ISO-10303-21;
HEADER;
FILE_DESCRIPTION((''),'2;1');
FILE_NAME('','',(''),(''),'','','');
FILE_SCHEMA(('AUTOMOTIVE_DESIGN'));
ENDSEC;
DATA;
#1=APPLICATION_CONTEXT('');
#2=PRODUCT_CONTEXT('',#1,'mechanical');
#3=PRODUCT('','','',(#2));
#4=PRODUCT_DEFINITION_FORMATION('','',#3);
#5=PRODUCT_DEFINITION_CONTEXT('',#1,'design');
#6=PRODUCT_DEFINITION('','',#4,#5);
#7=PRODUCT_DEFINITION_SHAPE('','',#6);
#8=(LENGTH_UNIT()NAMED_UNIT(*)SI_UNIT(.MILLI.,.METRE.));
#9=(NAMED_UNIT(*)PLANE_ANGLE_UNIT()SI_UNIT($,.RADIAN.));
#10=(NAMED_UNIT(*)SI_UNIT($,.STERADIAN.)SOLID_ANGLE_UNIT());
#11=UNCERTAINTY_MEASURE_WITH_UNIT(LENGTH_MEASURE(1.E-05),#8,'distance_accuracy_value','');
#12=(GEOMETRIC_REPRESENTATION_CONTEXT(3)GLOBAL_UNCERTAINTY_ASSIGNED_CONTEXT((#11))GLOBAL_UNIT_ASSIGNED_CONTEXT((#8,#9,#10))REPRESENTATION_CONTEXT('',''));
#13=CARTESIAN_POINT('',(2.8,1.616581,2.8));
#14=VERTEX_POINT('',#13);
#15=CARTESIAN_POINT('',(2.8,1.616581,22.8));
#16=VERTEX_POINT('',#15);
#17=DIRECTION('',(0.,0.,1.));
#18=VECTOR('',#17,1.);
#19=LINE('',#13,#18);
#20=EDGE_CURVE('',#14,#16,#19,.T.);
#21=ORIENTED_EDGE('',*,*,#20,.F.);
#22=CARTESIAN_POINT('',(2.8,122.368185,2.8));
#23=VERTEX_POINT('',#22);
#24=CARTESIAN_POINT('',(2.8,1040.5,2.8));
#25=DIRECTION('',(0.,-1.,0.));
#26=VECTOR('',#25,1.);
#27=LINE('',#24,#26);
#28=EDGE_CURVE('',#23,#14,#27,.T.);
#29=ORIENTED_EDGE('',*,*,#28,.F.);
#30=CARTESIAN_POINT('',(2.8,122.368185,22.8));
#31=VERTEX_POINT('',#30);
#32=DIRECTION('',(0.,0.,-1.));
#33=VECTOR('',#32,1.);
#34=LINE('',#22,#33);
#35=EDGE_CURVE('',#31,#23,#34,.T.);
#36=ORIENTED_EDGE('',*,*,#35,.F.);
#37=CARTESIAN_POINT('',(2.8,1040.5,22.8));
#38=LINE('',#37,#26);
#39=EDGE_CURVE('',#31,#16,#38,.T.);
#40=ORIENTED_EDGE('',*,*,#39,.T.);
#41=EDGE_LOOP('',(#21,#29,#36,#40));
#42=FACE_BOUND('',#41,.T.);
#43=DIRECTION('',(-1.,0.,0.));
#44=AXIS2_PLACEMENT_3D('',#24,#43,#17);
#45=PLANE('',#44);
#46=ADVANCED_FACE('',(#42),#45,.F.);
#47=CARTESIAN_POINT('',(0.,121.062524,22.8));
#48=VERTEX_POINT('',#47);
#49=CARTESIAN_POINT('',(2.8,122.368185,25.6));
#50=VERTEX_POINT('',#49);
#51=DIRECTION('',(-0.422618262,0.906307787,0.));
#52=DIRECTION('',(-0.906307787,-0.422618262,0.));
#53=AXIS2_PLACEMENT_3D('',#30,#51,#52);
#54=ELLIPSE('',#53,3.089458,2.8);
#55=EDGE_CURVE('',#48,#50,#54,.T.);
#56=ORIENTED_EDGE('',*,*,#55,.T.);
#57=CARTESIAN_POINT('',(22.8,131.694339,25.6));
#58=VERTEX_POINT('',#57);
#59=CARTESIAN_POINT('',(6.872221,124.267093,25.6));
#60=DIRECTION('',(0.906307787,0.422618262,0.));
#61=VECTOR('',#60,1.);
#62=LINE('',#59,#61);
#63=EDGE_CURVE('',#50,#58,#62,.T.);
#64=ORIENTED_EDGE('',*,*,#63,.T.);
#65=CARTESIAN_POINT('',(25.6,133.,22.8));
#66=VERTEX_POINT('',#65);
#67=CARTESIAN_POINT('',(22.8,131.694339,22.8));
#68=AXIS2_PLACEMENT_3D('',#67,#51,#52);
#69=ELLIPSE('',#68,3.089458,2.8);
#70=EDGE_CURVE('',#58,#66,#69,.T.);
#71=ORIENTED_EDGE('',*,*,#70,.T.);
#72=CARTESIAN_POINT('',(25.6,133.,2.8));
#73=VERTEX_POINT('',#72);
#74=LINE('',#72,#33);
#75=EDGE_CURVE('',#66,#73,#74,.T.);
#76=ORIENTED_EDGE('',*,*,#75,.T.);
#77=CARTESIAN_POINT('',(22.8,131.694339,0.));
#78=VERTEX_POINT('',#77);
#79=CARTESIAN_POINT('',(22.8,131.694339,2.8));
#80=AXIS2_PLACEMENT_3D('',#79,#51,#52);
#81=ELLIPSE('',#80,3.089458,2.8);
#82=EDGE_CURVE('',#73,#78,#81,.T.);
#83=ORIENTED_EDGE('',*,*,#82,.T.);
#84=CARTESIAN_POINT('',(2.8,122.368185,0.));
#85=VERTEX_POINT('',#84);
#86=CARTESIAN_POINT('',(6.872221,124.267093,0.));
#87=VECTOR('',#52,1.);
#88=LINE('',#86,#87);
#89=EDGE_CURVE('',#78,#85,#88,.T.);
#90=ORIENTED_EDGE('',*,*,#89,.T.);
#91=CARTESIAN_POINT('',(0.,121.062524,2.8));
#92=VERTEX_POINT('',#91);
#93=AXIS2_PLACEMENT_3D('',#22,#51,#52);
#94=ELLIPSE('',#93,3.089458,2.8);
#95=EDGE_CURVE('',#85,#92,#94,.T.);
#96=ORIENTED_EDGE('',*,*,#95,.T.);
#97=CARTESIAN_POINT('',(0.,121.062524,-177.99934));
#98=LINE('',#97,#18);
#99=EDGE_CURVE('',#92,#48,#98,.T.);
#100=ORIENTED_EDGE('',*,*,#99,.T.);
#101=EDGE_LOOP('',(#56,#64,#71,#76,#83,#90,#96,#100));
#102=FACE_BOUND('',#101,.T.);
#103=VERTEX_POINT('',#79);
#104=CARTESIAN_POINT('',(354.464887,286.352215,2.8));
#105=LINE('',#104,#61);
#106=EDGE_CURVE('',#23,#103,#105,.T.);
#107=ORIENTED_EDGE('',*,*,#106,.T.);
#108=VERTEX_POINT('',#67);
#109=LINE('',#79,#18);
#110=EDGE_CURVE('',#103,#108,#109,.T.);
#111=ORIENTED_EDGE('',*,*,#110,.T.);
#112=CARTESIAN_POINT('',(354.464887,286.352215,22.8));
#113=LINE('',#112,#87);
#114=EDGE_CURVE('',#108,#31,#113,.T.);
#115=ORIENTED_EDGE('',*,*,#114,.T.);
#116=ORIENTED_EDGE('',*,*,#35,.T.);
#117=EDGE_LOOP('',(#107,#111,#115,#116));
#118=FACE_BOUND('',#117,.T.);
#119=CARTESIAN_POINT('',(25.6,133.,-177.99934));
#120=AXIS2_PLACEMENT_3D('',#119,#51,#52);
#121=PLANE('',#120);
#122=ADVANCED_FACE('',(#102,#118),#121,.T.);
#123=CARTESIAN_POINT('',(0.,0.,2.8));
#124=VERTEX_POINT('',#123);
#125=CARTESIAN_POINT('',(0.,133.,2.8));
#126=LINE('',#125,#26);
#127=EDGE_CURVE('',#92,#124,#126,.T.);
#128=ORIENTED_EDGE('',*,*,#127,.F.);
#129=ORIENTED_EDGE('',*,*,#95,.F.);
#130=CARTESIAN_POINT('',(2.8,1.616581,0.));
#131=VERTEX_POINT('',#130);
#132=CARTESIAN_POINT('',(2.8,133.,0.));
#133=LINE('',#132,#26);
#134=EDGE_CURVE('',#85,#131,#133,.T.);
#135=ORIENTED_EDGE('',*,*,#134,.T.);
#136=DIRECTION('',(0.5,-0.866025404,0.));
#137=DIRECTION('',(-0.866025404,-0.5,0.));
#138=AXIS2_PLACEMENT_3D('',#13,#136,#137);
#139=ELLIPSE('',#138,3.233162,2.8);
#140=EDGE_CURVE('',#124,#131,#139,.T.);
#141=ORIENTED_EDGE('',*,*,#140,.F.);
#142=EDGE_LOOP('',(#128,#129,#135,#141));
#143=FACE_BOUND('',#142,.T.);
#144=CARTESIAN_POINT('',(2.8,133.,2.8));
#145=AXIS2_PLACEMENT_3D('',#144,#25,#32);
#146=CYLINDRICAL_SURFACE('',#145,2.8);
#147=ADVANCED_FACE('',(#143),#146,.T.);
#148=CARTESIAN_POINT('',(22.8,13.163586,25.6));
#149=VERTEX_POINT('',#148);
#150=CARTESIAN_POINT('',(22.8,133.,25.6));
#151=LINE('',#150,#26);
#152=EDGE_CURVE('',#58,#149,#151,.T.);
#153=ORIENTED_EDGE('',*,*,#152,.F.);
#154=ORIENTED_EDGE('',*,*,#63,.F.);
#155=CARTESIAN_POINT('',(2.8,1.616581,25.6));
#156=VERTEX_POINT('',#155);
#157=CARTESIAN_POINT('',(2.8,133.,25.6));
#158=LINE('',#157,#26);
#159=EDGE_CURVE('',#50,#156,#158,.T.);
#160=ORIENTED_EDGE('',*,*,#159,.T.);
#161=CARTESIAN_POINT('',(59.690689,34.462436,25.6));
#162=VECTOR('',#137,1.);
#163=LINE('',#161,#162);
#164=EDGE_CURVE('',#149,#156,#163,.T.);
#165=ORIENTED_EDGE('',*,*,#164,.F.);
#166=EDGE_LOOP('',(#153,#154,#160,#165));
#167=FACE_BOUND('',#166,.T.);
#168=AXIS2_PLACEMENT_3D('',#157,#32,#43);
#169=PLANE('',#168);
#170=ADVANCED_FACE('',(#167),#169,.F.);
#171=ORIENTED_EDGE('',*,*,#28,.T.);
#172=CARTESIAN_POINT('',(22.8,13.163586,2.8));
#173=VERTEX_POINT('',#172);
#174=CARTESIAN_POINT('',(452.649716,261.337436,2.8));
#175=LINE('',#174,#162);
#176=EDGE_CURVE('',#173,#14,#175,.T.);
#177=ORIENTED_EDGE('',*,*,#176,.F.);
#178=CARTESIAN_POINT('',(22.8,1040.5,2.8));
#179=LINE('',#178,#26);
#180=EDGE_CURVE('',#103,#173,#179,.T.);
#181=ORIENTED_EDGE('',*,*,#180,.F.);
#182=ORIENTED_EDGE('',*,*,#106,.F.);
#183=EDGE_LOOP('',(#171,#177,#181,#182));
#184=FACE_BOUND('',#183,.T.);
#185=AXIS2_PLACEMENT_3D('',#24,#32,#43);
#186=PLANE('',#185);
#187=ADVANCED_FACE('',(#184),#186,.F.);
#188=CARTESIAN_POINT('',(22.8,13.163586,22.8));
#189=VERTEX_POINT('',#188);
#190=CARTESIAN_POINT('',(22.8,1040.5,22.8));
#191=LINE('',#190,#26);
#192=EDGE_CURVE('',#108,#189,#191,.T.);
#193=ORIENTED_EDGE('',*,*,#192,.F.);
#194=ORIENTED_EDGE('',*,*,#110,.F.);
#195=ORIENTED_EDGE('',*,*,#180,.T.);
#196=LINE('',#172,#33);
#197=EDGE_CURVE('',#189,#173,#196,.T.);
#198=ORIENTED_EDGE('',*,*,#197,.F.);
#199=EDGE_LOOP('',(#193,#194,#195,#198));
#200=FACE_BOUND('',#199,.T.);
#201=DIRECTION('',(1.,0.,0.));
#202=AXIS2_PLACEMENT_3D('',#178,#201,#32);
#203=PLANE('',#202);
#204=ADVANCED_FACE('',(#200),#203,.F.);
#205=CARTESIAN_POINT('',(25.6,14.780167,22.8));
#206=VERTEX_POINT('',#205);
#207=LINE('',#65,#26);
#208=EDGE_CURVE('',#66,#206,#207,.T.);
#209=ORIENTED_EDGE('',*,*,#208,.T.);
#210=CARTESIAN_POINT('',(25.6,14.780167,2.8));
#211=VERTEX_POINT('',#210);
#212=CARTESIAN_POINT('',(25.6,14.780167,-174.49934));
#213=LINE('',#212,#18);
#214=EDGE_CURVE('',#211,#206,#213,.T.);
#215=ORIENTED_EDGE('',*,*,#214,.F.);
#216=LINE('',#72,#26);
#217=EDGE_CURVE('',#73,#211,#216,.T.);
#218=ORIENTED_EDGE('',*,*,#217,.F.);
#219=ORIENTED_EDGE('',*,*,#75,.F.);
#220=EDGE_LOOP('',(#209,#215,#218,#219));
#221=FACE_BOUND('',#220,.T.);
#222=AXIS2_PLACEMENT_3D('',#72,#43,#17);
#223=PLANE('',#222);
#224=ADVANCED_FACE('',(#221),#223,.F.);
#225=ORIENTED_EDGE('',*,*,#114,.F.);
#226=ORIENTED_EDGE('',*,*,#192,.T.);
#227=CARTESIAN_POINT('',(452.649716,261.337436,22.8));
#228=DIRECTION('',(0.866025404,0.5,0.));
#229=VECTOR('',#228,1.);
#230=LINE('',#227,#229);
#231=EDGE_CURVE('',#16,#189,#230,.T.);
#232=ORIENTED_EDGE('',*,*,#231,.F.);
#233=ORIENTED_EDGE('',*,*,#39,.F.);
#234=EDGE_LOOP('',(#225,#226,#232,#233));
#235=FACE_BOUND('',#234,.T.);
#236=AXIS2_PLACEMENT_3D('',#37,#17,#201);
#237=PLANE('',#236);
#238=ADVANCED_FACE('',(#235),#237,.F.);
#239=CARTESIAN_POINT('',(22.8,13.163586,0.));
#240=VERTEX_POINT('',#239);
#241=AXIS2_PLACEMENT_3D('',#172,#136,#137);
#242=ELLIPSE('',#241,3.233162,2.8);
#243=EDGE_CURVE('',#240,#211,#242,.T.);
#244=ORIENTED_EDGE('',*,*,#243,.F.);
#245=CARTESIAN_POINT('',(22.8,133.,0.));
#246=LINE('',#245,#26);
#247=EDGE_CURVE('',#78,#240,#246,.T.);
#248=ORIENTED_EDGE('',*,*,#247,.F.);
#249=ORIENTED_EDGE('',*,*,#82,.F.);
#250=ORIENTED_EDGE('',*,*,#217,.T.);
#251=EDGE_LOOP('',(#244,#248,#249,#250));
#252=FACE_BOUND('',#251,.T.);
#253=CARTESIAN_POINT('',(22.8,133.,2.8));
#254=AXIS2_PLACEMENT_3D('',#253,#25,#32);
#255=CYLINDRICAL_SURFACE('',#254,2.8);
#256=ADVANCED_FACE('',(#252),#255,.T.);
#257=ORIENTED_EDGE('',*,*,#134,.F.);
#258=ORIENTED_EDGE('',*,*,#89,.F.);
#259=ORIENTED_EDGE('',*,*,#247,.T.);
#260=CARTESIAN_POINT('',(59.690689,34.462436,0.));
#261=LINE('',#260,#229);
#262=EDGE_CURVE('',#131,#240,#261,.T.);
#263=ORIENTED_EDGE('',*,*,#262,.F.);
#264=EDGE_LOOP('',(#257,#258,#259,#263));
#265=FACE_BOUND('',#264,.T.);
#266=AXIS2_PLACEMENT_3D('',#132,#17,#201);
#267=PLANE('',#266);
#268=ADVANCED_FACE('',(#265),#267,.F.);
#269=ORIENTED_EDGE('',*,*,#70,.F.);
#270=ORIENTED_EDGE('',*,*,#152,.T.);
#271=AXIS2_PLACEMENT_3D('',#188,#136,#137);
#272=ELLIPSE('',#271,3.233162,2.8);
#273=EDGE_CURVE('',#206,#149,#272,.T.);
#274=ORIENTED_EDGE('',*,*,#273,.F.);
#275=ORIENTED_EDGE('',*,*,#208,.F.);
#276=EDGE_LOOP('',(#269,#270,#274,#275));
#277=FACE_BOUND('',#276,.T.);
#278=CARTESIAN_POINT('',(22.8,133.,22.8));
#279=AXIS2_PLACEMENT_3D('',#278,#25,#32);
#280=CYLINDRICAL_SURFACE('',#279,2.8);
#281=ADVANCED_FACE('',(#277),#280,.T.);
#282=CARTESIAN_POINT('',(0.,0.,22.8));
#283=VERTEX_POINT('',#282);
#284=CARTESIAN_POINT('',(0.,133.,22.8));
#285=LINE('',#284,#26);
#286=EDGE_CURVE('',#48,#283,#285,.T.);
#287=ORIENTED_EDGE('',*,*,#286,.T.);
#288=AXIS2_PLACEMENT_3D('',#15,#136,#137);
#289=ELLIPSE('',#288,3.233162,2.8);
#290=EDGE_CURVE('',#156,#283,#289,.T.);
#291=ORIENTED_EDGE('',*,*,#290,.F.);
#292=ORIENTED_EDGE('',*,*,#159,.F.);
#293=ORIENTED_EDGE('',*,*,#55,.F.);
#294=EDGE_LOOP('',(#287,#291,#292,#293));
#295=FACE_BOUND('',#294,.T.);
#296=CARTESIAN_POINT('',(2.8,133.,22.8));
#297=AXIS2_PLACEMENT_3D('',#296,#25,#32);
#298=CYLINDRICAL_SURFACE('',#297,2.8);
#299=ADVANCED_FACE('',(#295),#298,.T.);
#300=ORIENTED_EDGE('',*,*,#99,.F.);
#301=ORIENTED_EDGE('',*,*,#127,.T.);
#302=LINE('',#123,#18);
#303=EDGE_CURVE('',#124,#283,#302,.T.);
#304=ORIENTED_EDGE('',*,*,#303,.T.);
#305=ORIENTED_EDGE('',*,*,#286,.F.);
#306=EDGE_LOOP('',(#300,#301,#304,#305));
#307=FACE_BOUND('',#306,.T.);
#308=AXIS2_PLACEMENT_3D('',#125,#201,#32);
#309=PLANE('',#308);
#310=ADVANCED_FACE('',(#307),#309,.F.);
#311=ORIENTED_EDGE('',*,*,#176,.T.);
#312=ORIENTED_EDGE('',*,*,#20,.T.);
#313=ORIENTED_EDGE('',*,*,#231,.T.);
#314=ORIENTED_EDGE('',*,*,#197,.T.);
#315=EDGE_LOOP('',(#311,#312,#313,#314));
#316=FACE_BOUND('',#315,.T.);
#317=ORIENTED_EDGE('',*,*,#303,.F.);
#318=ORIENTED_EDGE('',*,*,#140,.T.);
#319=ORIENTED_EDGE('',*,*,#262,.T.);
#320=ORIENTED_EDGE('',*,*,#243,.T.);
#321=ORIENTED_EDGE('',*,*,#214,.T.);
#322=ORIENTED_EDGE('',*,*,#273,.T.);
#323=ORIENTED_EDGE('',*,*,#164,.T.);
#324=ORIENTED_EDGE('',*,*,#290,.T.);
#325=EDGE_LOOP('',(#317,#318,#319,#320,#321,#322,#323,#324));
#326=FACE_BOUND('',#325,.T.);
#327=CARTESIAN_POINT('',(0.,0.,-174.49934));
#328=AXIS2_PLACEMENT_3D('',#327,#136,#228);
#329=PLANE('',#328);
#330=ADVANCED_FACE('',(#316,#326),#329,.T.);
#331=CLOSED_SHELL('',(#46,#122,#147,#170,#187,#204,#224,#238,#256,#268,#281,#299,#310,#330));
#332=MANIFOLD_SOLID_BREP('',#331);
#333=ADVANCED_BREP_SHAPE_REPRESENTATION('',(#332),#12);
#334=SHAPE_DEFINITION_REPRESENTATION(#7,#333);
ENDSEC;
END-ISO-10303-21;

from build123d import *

# Parameters (mm, degrees)
BOSS_EXTRUDE1_DEPTH     = 133
SKETCH3_W               = 20
SKETCH3_H               = 20
CUT_EXTRUDE1_DEPTH      = 1040.5
CUT_EXTRUDE2_DEPTH      = 138.347005792
CUT_EXTRUDE2_DEPTH_BACK = 138.347005792
CUT_EXTRUDE3_DEPTH      = 138.347005792
CUT_EXTRUDE3_DEPTH_BACK = 138.347005792


with BuildPart() as part:
    # Sketch1 → Boss-Extrude1 (new body)
    with BuildSketch(Plane(origin=(0, 0, 0), x_dir=(1, 0, 0), z_dir=(0, 1, 0))):
        with BuildLine():
            Line((2.8, 0), (22.8, 0))
            ThreePointArc((22.8, 0), (24.779898987, -0.820101013), (25.6, -2.8))
            Line((25.6, -2.8), (25.6, -22.8))
            ThreePointArc((25.6, -22.8), (24.779898987, -24.779898987), (22.8, -25.6))
            Line((22.8, -25.6), (2.8, -25.6))
            ThreePointArc((2.8, -25.6), (0.820101013, -24.779898987), (0, -22.8))
            Line((0, -22.8), (0, -2.8))
            ThreePointArc((0, -2.8), (0.820101013, -0.820101013), (2.8, 0))
        make_face()
    extrude(amount=BOSS_EXTRUDE1_DEPTH)

    # Sketch3 → Cut-Extrude1 (cut)
    with BuildSketch(Plane(origin=(0, 0, 0), x_dir=(-1, 0, 0), z_dir=(0, -1, 0))):
        with Locations((-12.8, -12.8)):
            Rectangle(SKETCH3_W, SKETCH3_H)
    extrude(amount=-CUT_EXTRUDE1_DEPTH, mode=Mode.SUBTRACT)

    # Sketch4 → Cut-Extrude2 (cut, two sides: drawn at the far end of the back side and taken through both)
    with BuildSketch(Plane(origin=(0, 0, 22.8), x_dir=(-1, 0, 0), z_dir=(0, 0, -1)).offset(-CUT_EXTRUDE2_DEPTH_BACK)):
        Polygon((-280.166183006, 251.706160643), (-25.6, 133), (0, 121.062523951), (254.566183006, 2.356363308), (491.978504292, 511.48872932), (-42.75386172, 760.838526655), align=None)
    extrude(amount=CUT_EXTRUDE2_DEPTH + CUT_EXTRUDE2_DEPTH_BACK, mode=Mode.SUBTRACT)

    # Sketch5 → Cut-Extrude3 (cut, two sides: drawn at the far end of the back side and taken through both)
    with BuildSketch(Plane(origin=(0, 0, 22.8), x_dir=(-1, 0, 0), z_dir=(0, 0, -1)).offset(-CUT_EXTRUDE3_DEPTH_BACK)):
        Polygon((243.251558225, -140.441352622), (0, 0), (-25.6, 14.780166891), (-268.851558225, 155.221519513), (-549.734263468, -331.281596936), (-37.631147019, -626.944469071), align=None)
    extrude(amount=CUT_EXTRUDE3_DEPTH + CUT_EXTRUDE3_DEPTH_BACK, mode=Mode.SUBTRACT)


solid = part.part
